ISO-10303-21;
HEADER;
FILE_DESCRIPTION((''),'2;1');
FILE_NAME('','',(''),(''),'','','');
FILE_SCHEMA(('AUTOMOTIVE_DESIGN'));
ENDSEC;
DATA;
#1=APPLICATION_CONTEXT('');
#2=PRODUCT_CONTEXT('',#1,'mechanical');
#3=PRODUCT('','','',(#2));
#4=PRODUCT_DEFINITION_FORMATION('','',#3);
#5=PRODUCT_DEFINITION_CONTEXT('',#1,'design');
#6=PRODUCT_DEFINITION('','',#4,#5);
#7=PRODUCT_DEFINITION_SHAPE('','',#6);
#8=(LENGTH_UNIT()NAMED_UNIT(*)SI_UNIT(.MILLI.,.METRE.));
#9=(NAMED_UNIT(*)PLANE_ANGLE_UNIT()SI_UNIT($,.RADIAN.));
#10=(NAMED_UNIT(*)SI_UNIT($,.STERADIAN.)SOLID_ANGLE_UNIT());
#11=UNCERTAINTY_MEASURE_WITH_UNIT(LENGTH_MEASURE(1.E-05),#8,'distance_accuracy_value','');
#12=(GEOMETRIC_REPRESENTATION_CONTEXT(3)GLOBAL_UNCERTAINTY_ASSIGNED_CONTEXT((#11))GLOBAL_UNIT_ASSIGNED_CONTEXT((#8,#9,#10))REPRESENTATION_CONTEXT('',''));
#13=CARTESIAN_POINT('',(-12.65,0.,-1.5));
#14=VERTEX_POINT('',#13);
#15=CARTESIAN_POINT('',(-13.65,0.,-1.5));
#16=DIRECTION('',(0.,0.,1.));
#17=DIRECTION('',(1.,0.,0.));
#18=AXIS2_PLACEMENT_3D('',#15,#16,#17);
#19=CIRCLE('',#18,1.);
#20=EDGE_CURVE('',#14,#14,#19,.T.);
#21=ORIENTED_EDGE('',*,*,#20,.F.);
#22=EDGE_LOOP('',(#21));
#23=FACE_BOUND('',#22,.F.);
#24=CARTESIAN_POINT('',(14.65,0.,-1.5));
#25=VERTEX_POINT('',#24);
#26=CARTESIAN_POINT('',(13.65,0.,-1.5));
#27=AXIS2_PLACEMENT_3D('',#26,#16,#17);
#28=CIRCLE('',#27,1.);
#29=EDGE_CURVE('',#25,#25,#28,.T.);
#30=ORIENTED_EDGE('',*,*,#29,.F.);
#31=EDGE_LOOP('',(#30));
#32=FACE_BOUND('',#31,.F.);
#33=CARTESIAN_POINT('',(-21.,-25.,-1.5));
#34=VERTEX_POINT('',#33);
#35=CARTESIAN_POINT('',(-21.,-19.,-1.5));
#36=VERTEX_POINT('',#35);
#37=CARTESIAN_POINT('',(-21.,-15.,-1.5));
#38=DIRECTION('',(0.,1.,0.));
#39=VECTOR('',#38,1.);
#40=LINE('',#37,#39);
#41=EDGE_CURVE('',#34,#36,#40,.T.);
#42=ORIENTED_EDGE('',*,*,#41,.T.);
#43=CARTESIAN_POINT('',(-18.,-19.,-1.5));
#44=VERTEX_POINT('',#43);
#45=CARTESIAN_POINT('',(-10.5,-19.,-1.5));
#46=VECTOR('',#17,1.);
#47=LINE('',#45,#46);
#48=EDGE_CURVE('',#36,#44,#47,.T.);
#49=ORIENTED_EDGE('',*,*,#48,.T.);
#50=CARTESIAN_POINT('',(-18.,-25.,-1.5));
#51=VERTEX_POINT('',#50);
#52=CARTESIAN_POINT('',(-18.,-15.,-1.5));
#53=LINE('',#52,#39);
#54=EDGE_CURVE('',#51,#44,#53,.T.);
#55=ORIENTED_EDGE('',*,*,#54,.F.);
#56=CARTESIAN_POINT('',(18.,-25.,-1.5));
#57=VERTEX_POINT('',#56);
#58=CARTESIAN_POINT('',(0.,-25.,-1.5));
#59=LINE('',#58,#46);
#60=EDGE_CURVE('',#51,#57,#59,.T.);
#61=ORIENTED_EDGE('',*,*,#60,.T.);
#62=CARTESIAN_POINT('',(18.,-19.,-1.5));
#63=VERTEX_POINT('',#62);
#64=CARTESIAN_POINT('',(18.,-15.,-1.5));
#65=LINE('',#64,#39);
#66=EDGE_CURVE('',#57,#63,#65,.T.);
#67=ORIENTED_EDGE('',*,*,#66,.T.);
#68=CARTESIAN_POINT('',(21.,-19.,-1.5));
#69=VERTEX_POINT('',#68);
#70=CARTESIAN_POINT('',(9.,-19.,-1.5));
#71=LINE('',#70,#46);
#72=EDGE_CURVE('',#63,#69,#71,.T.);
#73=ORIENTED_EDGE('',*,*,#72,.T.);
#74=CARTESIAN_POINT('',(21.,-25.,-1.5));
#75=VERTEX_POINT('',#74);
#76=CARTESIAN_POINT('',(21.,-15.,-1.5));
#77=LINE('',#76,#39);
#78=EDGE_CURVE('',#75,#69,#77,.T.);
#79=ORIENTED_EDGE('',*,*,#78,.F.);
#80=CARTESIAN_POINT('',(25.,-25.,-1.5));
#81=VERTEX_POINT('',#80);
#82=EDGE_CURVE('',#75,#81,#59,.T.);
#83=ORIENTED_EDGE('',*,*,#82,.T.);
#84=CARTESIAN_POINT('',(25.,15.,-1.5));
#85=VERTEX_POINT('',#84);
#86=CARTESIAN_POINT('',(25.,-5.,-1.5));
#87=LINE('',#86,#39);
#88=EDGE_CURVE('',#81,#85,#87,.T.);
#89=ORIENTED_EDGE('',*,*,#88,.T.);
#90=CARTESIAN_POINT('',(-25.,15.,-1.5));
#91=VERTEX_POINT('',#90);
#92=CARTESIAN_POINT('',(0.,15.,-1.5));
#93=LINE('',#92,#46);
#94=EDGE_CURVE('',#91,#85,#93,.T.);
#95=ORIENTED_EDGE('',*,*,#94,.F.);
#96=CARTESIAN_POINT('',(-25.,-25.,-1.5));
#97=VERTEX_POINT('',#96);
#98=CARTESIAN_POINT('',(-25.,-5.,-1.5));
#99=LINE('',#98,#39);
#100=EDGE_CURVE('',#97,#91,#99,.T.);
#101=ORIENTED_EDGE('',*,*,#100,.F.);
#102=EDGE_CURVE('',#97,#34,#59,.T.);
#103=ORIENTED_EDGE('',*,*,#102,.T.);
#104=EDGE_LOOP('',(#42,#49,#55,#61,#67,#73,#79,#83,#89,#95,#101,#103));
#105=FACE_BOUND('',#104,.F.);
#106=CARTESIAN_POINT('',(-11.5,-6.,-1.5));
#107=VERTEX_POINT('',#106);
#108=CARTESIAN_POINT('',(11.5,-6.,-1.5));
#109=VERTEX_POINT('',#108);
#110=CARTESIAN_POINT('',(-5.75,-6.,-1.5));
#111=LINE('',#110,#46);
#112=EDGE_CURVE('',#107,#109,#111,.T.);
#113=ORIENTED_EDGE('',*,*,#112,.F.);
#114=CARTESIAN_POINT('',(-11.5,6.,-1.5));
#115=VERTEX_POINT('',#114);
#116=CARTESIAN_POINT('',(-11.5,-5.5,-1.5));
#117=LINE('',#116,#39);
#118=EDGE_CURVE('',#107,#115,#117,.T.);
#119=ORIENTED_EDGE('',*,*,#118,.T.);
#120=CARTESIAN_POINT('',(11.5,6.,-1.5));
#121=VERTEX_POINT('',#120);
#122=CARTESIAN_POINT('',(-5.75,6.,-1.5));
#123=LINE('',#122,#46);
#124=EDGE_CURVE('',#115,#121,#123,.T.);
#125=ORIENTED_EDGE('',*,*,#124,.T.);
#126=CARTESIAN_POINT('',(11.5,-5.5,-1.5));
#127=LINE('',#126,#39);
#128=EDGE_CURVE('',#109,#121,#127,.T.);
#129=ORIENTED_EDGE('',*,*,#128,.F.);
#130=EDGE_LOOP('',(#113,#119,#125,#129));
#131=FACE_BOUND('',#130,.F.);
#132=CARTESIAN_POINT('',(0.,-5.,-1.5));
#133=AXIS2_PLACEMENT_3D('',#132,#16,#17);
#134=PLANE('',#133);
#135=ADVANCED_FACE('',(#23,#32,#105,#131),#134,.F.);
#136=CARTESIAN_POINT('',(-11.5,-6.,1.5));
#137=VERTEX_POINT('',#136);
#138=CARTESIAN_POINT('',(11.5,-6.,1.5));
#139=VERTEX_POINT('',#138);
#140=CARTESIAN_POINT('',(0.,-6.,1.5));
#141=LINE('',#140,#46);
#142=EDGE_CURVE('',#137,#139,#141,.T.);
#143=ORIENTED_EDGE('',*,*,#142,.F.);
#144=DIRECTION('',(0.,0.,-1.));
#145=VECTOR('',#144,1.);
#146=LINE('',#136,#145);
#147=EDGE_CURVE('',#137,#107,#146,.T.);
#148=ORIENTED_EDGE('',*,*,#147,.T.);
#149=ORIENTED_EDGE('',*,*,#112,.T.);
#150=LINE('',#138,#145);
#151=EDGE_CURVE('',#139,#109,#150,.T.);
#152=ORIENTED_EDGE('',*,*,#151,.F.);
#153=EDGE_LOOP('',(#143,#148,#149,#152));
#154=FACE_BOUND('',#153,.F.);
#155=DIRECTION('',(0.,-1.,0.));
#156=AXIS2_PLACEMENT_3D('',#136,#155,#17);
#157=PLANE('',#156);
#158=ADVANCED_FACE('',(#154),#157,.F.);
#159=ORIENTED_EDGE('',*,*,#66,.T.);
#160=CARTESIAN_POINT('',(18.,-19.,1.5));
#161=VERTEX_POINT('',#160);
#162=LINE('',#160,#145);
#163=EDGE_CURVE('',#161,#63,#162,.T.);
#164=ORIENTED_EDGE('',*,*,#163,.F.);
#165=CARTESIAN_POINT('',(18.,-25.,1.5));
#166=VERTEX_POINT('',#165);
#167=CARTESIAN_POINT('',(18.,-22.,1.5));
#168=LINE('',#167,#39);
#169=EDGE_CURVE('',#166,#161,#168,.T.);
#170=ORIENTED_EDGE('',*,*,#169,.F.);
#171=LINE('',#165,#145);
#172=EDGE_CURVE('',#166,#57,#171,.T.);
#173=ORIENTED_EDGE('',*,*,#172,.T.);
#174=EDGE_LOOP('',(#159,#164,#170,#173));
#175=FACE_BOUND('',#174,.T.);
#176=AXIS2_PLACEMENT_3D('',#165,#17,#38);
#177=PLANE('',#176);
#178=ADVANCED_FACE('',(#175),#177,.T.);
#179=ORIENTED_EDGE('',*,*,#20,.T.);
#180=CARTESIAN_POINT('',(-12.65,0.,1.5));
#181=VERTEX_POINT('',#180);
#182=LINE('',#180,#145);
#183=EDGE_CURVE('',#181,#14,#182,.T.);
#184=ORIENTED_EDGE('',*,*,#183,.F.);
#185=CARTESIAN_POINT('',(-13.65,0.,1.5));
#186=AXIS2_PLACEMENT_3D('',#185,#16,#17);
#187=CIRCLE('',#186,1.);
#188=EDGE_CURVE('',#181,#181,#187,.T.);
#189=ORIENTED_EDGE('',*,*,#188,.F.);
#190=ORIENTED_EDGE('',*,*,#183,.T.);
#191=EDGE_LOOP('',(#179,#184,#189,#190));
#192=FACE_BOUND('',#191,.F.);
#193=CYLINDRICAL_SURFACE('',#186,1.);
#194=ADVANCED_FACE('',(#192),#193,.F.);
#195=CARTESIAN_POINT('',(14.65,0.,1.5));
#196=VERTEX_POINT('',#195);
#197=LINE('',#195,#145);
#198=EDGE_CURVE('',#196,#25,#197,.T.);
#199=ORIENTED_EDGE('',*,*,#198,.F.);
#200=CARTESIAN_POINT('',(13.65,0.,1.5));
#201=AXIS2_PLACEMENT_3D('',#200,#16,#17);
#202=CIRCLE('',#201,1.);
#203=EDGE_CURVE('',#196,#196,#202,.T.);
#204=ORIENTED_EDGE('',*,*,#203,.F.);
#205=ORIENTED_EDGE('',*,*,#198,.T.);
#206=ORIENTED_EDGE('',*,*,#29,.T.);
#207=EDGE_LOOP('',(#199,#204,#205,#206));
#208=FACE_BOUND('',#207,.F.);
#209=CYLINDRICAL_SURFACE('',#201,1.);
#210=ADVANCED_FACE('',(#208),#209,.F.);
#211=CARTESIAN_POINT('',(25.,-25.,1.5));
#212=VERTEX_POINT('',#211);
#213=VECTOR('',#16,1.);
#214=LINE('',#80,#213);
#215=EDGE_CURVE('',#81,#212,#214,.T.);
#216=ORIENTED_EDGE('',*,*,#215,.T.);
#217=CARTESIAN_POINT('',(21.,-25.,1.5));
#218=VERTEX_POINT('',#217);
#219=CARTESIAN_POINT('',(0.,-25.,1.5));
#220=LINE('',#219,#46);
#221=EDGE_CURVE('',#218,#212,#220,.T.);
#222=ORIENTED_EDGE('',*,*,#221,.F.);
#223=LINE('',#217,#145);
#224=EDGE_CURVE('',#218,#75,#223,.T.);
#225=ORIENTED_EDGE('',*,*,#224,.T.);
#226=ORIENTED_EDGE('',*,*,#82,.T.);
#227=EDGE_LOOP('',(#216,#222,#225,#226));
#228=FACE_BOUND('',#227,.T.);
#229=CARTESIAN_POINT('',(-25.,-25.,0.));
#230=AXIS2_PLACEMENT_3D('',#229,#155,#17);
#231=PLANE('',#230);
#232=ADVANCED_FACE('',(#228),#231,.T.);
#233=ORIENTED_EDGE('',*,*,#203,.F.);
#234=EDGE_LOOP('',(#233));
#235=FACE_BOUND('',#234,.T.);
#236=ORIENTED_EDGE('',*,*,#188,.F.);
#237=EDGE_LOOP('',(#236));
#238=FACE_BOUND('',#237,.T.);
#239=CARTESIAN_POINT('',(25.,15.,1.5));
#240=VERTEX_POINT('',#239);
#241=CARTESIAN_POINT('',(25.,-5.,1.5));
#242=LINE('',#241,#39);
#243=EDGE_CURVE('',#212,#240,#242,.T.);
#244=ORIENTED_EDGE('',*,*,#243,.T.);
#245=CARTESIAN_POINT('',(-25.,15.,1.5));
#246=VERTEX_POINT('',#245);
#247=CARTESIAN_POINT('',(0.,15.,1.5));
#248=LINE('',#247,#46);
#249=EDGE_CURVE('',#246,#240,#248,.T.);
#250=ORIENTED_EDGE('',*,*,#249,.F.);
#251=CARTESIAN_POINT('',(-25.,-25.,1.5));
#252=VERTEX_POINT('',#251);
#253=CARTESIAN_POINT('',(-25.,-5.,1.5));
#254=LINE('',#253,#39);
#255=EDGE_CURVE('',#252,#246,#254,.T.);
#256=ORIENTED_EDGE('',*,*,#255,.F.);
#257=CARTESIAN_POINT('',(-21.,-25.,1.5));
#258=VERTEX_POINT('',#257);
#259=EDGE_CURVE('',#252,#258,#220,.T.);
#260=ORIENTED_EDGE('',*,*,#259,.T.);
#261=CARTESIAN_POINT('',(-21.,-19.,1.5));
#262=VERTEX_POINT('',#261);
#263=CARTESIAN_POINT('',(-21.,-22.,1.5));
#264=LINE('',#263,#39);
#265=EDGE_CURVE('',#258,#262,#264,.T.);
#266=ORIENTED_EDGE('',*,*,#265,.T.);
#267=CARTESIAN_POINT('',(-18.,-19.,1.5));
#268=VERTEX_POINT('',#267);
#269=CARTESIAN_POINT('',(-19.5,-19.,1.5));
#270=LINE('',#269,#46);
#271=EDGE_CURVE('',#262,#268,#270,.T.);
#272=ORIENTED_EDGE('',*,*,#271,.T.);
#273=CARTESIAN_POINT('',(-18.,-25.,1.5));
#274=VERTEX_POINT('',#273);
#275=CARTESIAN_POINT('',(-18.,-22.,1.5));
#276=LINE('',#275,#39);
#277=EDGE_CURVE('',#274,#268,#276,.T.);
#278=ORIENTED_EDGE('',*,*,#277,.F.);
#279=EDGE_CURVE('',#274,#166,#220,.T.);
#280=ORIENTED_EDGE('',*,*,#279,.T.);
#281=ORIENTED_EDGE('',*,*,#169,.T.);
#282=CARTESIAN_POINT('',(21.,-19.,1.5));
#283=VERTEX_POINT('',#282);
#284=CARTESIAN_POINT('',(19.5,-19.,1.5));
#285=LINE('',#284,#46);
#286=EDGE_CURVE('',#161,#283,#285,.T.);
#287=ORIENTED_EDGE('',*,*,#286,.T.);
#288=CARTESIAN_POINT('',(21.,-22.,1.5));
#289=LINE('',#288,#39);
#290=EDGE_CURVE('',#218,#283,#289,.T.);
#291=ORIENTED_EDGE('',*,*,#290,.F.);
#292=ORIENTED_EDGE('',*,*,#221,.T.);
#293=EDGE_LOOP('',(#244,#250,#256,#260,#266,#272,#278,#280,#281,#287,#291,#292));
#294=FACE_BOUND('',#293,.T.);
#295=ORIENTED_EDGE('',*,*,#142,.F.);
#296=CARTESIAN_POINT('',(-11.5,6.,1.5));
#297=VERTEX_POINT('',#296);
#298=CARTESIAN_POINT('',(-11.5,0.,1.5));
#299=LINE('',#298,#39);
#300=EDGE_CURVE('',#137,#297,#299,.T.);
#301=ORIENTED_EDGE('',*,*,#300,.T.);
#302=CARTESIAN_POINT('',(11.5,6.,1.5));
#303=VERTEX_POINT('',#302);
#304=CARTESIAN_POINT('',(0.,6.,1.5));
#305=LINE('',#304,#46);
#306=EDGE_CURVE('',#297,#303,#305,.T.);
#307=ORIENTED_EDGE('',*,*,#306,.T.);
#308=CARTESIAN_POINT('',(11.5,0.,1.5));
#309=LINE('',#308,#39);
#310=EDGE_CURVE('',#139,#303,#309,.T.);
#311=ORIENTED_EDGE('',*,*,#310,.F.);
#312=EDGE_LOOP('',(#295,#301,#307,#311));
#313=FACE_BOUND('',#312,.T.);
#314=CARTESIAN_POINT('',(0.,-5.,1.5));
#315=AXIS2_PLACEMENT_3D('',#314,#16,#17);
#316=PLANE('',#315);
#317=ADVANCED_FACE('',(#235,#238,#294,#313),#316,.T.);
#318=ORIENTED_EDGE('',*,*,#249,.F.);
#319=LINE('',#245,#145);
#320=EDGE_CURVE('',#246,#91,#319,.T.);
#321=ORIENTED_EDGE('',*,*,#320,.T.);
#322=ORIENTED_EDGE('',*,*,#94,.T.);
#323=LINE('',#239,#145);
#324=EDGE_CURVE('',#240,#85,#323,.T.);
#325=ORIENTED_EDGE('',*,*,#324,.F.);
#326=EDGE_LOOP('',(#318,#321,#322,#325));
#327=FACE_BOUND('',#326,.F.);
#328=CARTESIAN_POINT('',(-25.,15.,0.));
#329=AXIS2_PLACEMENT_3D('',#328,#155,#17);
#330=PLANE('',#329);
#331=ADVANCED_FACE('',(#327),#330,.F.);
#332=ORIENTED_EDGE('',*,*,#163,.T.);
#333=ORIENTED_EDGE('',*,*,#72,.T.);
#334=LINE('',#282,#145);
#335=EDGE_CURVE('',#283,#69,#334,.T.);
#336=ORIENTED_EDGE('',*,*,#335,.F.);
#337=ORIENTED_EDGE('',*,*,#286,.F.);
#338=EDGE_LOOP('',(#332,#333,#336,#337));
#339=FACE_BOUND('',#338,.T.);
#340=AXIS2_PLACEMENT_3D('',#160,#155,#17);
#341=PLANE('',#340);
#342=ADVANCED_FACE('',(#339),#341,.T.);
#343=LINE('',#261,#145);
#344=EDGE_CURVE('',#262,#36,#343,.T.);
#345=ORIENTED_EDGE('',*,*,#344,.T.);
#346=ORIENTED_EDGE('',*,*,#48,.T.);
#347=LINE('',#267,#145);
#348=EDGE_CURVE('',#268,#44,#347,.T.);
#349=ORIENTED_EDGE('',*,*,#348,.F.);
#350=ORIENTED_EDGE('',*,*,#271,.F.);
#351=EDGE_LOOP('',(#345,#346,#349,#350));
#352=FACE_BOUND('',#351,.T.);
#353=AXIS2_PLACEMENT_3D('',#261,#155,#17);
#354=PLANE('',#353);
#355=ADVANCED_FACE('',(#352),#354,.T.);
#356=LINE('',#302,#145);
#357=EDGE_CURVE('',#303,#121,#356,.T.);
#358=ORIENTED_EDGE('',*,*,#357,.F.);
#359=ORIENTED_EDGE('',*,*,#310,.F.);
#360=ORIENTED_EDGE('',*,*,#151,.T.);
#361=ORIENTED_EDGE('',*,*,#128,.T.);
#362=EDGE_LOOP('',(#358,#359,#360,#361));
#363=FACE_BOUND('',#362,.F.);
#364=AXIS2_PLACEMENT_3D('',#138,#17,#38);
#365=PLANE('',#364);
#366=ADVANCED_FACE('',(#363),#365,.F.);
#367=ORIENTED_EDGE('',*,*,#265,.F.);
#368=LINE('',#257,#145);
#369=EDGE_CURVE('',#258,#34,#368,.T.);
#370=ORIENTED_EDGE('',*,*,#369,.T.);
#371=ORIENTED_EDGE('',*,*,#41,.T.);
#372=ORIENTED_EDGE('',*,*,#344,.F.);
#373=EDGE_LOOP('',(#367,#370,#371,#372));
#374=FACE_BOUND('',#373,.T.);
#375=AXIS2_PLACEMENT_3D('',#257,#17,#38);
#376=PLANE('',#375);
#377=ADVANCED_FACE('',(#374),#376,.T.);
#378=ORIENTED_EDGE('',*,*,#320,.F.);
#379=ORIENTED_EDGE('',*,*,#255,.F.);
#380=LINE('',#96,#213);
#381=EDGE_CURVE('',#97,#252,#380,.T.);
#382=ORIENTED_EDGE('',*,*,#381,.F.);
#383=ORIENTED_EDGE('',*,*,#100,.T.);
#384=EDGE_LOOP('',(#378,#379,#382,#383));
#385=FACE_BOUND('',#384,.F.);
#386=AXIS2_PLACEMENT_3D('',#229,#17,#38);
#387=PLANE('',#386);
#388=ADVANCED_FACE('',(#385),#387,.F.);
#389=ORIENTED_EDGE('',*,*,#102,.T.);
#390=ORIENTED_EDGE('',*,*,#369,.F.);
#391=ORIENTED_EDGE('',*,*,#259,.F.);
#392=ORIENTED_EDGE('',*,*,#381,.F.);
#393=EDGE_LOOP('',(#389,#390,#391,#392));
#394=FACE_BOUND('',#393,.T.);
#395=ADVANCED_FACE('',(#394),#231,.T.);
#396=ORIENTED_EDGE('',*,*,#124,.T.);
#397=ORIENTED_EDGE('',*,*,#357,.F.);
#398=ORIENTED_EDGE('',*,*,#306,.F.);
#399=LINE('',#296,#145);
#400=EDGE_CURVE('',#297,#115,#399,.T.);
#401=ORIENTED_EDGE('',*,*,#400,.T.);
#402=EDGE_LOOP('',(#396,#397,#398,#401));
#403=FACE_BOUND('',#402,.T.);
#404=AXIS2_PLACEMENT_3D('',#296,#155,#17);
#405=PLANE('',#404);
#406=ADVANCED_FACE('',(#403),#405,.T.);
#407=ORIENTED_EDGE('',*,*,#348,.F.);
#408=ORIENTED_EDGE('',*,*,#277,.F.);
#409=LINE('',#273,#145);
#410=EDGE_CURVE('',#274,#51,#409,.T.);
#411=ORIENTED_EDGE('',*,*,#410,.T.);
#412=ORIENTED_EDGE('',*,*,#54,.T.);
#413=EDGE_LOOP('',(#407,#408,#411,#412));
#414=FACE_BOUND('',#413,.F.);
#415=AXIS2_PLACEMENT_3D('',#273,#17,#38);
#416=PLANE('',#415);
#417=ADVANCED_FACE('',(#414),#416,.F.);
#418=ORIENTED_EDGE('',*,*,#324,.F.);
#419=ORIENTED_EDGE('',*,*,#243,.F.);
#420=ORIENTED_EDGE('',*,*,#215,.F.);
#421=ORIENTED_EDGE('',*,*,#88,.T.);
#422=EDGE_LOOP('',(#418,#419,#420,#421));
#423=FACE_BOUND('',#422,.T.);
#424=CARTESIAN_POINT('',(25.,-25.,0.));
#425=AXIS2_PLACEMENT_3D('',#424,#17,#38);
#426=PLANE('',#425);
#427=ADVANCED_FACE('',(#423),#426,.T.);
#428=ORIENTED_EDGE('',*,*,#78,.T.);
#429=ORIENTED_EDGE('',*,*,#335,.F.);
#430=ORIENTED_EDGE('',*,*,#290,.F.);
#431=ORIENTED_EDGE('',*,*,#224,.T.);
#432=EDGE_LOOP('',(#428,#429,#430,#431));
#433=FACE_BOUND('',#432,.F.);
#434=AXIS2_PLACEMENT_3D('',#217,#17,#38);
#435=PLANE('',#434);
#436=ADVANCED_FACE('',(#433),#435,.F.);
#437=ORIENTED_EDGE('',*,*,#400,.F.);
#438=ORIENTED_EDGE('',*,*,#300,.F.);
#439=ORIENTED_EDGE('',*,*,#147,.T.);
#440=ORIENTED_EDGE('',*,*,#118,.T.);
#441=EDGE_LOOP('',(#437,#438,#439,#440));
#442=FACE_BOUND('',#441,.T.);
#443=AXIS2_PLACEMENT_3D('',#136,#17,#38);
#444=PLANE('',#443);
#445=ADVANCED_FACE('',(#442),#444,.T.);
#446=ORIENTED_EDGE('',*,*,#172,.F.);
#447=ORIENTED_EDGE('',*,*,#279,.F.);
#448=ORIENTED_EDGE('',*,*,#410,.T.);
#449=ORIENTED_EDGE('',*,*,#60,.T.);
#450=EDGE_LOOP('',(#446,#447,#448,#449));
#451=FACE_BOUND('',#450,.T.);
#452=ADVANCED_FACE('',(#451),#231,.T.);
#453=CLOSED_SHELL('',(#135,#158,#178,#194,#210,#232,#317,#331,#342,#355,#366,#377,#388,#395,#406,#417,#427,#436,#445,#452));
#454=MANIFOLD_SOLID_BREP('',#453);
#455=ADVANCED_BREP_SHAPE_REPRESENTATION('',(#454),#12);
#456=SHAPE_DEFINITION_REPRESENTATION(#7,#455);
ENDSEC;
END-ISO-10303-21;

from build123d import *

# Parameters (mm, degrees)
F0_W     = 50
F0_H     = 40
F1_DEPTH = 1.5
F2_W     = 23
F2_H     = 12
F2_R     = 1
F3_DEPTH = 25
F4_W     = 3
F4_H     = 6
F5_DEPTH = 25


with BuildPart() as f1:
    # F0 (on Top) → F1 (new body, symmetric)
    with BuildSketch(Plane.XY):
        with Locations((0, -5)):
            Rectangle(F0_W, F0_H)
    extrude(amount=F1_DEPTH, both=True)

    # F2 (on face) → F3 (cut)
    with BuildSketch(Plane.XY.offset(1.5)):
        Rectangle(F2_W, F2_H)
        with Locations((13.65, 0)):
            Circle(F2_R)
        with Locations((-13.65, 0)):
            Circle(F2_R)
    extrude(amount=-F3_DEPTH, mode=Mode.SUBTRACT)

    # F4 (on face) → F5 (cut)
    with BuildSketch(Plane.XY.offset(1.5)):
        with Locations((-19.5, -22)):
            Rectangle(F4_W, F4_H)
        with Locations((19.5, -22)):
            Rectangle(F4_W, F4_H)
    extrude(amount=-F5_DEPTH, mode=Mode.SUBTRACT)


solid = f1.part
